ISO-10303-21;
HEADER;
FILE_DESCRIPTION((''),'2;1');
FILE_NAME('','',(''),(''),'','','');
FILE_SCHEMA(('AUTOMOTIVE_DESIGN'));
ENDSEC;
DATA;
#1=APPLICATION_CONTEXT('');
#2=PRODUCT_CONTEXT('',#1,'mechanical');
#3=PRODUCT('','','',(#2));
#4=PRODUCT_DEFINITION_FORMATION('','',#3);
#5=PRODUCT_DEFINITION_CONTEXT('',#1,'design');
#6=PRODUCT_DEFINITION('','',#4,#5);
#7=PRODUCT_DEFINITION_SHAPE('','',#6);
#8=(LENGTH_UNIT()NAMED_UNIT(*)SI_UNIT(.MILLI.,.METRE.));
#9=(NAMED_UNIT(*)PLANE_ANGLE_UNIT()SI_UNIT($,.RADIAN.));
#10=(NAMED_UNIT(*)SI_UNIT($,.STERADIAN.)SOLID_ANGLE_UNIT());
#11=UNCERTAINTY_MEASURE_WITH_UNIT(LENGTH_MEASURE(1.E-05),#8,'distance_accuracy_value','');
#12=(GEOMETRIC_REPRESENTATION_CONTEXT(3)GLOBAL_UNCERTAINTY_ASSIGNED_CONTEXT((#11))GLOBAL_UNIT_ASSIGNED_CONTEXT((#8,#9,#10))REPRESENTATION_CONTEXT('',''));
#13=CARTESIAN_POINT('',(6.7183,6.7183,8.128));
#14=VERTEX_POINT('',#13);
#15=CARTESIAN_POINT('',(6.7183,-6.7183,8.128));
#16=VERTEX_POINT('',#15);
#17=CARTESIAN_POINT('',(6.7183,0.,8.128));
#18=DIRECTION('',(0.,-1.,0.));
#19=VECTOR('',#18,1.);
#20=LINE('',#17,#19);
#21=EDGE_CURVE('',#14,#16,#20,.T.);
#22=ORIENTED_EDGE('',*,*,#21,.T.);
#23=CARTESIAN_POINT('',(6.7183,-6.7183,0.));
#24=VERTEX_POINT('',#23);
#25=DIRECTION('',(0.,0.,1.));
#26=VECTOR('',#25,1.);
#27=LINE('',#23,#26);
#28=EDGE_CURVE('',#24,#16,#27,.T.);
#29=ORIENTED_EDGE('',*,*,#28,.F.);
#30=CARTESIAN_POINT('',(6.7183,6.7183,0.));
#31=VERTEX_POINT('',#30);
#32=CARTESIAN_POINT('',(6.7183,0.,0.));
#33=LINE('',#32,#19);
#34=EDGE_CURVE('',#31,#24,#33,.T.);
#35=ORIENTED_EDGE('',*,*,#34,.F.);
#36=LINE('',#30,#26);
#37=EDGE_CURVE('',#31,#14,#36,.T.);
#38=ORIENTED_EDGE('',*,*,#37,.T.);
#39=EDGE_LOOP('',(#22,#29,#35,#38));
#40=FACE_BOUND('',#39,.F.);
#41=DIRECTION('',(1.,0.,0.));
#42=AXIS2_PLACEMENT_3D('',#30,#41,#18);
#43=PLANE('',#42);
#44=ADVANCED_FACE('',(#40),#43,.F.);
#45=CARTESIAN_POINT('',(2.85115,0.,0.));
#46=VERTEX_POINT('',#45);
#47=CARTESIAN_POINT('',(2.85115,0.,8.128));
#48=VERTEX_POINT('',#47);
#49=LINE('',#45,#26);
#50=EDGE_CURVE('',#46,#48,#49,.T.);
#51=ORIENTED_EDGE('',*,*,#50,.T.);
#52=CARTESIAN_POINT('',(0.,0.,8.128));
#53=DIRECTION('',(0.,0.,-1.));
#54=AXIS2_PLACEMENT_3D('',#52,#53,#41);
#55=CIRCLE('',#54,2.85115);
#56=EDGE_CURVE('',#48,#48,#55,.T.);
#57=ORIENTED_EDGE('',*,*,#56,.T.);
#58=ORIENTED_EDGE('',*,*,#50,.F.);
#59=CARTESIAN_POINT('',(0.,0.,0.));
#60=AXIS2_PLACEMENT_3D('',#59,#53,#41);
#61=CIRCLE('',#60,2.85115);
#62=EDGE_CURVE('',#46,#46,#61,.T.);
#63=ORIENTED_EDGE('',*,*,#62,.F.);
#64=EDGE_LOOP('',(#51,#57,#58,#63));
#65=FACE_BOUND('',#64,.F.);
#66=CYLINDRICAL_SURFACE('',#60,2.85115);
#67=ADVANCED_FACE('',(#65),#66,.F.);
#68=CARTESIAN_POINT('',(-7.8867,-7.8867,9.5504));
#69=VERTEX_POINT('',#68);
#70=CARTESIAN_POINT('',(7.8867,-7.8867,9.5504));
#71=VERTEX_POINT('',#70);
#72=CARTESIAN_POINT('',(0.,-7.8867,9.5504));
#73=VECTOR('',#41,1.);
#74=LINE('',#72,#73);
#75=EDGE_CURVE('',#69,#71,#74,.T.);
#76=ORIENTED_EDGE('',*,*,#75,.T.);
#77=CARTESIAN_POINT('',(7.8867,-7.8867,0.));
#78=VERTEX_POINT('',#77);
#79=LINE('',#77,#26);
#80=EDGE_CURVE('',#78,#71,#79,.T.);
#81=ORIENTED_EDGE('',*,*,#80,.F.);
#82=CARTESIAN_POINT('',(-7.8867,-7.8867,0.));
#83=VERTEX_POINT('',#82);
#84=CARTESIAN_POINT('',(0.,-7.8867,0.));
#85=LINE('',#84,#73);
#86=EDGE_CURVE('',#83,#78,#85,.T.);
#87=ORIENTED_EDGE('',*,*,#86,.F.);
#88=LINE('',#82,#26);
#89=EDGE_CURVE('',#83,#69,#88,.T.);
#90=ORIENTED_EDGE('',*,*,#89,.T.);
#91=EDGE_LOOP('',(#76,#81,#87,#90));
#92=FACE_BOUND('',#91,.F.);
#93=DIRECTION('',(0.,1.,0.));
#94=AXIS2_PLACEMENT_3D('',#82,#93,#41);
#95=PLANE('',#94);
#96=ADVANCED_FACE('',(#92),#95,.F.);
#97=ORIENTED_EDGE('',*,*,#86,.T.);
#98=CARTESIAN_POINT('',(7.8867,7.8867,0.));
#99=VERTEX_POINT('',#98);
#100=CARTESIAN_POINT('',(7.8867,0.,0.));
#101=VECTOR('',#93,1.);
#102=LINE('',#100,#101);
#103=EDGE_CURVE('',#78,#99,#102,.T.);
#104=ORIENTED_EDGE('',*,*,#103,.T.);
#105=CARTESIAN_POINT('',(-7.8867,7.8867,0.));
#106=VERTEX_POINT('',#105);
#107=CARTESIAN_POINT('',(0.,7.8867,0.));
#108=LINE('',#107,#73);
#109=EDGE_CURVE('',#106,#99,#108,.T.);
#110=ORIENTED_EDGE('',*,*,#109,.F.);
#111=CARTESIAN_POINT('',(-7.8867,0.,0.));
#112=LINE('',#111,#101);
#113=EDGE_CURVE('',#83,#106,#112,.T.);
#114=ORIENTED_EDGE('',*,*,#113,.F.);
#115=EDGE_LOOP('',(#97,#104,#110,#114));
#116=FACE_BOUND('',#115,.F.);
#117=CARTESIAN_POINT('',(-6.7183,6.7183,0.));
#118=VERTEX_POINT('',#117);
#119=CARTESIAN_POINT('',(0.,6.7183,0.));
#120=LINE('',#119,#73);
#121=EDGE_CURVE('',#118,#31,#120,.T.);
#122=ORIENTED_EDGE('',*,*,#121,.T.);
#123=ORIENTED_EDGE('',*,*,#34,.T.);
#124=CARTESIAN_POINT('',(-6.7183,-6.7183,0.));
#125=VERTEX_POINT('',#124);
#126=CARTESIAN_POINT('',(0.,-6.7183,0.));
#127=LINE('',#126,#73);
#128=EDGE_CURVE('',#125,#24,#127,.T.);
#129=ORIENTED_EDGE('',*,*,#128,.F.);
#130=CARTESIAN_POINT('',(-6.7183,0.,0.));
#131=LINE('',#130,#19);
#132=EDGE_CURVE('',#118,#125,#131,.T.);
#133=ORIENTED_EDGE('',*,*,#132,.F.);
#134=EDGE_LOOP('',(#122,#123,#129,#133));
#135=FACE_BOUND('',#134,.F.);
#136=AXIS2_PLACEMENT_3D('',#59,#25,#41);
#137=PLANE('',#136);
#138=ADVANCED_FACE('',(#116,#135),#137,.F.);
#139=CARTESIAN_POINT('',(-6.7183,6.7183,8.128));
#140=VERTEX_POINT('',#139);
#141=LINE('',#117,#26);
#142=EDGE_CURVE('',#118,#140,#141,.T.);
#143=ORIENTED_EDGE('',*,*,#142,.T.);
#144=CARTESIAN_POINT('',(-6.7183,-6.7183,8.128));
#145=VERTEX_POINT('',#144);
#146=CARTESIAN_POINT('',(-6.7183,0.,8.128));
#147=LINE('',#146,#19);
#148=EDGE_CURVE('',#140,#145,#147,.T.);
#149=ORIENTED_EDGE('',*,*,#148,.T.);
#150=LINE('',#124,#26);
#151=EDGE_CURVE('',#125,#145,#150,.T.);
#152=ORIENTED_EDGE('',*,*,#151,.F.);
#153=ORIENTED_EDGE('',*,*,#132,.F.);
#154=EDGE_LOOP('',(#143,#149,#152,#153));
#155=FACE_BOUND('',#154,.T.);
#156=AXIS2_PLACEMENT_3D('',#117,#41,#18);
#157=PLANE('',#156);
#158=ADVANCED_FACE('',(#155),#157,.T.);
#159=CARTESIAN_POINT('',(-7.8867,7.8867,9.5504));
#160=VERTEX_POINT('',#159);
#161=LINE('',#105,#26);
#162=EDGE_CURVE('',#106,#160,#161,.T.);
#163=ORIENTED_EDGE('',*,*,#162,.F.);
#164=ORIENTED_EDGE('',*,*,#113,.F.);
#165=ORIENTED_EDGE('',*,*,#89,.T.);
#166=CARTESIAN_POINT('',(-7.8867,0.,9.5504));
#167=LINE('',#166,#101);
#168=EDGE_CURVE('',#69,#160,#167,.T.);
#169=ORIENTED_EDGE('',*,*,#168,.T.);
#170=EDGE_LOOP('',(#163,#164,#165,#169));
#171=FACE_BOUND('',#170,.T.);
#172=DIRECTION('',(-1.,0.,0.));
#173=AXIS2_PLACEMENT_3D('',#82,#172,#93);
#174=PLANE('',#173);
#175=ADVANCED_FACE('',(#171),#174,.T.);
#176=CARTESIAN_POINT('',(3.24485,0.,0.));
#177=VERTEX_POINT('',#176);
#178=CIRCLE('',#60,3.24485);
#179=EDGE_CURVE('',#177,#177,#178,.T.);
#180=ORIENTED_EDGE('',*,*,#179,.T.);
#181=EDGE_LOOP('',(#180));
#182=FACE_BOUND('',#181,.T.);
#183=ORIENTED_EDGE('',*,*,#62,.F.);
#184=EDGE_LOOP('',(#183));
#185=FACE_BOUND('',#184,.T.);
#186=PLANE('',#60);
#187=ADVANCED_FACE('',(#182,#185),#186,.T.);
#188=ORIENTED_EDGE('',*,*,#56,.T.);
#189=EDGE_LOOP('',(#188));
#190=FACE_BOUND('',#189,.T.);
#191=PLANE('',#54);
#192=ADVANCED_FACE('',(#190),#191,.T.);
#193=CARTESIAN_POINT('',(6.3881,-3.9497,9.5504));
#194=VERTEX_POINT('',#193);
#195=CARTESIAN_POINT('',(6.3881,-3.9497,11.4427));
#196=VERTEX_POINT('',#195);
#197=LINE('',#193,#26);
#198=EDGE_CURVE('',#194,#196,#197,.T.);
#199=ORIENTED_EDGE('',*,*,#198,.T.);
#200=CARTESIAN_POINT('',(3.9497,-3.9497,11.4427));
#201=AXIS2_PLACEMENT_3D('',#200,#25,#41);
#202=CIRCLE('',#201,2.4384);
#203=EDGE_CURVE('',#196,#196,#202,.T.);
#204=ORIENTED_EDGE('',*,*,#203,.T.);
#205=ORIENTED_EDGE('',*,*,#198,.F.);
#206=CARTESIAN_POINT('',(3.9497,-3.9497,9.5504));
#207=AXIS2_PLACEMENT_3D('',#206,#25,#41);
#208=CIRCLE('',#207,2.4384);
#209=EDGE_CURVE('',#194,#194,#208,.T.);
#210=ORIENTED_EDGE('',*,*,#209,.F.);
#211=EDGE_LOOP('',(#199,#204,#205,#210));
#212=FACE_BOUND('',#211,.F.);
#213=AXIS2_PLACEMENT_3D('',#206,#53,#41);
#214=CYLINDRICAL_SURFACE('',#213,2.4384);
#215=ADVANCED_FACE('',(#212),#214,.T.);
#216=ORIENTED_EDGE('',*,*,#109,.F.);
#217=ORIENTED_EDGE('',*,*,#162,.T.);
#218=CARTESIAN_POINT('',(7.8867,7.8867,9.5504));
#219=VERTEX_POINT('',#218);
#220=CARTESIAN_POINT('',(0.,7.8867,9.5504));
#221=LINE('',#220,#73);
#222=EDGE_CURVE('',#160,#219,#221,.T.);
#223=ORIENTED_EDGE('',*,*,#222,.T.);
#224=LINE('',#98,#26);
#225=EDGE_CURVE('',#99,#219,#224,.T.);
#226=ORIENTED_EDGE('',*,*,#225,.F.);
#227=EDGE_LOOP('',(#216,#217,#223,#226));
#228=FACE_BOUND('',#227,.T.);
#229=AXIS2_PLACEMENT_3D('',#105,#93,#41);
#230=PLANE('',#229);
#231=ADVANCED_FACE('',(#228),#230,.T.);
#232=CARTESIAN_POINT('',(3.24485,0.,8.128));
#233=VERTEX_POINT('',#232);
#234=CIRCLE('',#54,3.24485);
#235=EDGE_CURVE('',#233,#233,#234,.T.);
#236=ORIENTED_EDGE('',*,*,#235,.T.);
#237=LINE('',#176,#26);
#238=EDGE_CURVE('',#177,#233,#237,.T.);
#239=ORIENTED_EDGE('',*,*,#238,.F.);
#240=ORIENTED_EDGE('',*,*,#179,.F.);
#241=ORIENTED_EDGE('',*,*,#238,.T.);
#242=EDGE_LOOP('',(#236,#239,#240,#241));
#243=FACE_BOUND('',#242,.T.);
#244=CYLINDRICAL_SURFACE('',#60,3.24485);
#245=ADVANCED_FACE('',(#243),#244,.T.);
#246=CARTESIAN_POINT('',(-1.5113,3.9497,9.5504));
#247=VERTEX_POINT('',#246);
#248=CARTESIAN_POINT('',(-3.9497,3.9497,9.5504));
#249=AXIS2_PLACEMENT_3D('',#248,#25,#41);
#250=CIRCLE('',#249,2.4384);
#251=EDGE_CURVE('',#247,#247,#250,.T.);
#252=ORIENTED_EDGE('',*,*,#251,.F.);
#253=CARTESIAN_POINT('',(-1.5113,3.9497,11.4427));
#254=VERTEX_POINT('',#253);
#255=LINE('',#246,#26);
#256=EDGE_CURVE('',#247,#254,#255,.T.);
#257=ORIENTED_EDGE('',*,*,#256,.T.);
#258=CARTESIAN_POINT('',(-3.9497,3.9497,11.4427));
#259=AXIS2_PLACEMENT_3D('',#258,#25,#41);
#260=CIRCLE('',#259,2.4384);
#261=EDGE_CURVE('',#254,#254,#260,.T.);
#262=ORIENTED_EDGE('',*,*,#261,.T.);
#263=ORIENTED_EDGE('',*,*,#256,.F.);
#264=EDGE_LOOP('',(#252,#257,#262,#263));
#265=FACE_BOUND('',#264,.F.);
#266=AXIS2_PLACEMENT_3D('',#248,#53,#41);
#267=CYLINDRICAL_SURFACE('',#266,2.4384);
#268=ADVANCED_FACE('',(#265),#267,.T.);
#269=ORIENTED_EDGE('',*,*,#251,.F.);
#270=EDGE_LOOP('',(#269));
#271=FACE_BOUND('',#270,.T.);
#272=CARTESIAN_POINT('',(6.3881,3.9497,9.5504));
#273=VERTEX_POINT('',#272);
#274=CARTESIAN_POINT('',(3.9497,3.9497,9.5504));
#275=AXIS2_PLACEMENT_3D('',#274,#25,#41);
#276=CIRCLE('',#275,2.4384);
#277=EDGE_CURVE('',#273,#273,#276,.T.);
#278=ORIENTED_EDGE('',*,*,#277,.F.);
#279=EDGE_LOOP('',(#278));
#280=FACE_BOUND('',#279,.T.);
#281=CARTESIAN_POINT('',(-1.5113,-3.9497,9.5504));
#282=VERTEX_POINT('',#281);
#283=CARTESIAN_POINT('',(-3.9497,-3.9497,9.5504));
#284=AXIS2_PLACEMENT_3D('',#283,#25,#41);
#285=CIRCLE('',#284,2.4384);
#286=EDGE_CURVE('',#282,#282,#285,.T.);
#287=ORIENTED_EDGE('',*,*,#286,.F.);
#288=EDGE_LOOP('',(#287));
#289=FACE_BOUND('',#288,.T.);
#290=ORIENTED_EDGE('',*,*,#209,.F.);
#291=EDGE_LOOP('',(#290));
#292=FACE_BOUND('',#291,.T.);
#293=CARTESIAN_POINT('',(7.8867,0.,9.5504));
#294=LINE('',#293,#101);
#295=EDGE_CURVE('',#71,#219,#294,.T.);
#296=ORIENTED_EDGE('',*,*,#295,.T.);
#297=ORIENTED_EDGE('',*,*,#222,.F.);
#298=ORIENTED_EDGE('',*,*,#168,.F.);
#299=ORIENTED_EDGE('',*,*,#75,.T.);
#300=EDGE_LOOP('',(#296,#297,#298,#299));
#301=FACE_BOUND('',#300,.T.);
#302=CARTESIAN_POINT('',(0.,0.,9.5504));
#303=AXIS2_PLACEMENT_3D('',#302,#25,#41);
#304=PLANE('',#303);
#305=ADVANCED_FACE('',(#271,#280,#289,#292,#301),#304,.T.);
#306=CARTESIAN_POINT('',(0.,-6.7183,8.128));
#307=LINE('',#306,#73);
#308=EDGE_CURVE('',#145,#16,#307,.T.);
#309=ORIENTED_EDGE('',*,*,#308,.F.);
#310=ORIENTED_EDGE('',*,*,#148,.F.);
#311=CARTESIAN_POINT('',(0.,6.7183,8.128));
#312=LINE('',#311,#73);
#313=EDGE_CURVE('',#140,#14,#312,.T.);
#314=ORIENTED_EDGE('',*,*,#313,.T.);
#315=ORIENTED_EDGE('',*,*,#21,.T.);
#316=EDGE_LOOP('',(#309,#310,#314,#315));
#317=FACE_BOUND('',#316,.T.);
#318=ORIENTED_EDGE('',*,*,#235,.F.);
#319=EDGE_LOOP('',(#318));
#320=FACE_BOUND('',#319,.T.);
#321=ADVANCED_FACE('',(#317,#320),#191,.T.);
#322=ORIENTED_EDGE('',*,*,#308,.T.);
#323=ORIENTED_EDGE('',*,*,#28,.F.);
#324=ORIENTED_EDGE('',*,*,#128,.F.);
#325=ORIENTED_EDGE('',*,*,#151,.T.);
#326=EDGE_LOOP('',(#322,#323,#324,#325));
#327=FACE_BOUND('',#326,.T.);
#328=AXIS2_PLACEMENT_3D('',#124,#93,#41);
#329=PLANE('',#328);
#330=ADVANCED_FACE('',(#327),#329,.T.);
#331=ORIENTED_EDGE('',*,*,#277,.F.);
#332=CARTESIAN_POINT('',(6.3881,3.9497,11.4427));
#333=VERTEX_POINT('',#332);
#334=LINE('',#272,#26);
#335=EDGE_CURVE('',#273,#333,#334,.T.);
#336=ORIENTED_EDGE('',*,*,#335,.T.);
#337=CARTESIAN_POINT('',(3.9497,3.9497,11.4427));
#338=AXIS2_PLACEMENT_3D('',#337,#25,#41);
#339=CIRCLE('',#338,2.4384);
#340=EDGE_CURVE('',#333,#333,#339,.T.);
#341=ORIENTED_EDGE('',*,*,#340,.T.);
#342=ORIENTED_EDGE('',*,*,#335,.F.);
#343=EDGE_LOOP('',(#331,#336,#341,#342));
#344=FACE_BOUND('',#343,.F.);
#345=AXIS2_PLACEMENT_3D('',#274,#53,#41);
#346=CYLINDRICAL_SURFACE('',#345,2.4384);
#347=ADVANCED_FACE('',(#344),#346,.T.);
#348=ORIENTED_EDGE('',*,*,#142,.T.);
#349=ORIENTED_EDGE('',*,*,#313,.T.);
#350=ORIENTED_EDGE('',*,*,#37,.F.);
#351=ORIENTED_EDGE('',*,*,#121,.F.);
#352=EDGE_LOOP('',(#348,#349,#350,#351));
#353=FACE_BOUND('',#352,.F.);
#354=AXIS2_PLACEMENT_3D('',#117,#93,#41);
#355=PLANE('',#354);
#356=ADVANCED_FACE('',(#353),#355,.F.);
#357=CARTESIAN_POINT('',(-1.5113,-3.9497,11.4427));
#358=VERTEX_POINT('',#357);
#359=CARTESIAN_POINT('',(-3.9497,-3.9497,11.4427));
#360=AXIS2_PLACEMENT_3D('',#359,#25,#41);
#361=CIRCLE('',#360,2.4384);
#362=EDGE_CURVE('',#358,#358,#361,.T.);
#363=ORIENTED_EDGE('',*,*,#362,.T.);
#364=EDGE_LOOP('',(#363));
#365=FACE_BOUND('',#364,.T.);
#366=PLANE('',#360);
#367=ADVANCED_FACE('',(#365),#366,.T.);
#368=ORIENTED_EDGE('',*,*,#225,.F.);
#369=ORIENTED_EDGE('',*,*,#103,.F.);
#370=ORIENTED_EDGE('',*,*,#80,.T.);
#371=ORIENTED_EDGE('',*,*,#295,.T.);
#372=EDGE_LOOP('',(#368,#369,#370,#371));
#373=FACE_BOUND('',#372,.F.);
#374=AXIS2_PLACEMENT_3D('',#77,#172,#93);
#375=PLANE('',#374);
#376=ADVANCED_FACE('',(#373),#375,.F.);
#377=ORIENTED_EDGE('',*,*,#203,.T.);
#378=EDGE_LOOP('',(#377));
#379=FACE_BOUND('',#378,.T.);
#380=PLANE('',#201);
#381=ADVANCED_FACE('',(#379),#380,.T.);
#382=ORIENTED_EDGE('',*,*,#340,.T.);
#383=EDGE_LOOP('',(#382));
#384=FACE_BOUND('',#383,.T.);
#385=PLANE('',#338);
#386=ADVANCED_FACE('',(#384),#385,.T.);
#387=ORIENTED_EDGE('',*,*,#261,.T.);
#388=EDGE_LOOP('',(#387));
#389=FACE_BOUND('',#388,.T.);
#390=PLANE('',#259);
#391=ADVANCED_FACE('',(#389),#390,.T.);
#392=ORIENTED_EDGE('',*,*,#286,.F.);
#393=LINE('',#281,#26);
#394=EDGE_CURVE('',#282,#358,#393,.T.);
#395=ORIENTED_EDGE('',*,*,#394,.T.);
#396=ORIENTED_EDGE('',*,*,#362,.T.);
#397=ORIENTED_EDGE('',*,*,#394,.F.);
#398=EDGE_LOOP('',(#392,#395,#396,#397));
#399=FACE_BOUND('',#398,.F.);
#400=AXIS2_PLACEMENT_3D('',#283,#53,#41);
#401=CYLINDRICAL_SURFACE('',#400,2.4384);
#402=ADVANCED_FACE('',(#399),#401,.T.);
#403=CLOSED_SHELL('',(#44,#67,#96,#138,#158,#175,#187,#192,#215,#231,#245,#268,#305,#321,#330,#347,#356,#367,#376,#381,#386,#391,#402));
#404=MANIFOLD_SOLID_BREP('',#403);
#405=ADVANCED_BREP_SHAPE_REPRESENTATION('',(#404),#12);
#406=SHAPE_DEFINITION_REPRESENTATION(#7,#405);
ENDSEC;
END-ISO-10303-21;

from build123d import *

# Parameters (mm, degrees)
F0_W     = 15.7734
F0_H     = 15.7734
F1_DEPTH = 9.5504
F2_R     = 2.4384
F3_DEPTH = 1.8923
F4_W     = 13.4366
F4_H     = 13.4366
F5_DEPTH = 8.128
F6_R     = 3.24485
F6_R_2   = 2.85115
F7_DEPTH = 8.128


with BuildPart() as f1:
    # F0 (on Top) → F1 (new body)
    with BuildSketch(Plane.XY):
        Rectangle(F0_W, F0_H)
    extrude(amount=F1_DEPTH)

    # F2 (on face) → F3 (join)
    with BuildSketch(Plane.XY.offset(9.5504)):
        with Locations((3.9497, 3.9497)):
            Circle(F2_R)
        with Locations((-3.9497, -3.9497)):
            Circle(F2_R)
        with Locations((3.9497, -3.9497)):
            Circle(F2_R)
        with Locations((-3.9497, 3.9497)):
            Circle(F2_R)
    extrude(amount=F3_DEPTH)

    # F4 (on face) → F5 (cut)
    with BuildSketch(Plane(origin=(0, 0, 0), x_dir=(1, 0, 0), z_dir=(0, 0, -1))):
        Rectangle(F4_W, F4_H)
    extrude(amount=-F5_DEPTH, mode=Mode.SUBTRACT)

    # F6 (on face) → F7 (join)
    with BuildSketch(Plane(origin=(0, 0, 0), x_dir=(1, 0, 0), z_dir=(0, 0, -1))):
        Circle(F6_R)
        Circle(F6_R_2, mode=Mode.SUBTRACT)
    extrude(amount=-F7_DEPTH)


solid = f1.part
